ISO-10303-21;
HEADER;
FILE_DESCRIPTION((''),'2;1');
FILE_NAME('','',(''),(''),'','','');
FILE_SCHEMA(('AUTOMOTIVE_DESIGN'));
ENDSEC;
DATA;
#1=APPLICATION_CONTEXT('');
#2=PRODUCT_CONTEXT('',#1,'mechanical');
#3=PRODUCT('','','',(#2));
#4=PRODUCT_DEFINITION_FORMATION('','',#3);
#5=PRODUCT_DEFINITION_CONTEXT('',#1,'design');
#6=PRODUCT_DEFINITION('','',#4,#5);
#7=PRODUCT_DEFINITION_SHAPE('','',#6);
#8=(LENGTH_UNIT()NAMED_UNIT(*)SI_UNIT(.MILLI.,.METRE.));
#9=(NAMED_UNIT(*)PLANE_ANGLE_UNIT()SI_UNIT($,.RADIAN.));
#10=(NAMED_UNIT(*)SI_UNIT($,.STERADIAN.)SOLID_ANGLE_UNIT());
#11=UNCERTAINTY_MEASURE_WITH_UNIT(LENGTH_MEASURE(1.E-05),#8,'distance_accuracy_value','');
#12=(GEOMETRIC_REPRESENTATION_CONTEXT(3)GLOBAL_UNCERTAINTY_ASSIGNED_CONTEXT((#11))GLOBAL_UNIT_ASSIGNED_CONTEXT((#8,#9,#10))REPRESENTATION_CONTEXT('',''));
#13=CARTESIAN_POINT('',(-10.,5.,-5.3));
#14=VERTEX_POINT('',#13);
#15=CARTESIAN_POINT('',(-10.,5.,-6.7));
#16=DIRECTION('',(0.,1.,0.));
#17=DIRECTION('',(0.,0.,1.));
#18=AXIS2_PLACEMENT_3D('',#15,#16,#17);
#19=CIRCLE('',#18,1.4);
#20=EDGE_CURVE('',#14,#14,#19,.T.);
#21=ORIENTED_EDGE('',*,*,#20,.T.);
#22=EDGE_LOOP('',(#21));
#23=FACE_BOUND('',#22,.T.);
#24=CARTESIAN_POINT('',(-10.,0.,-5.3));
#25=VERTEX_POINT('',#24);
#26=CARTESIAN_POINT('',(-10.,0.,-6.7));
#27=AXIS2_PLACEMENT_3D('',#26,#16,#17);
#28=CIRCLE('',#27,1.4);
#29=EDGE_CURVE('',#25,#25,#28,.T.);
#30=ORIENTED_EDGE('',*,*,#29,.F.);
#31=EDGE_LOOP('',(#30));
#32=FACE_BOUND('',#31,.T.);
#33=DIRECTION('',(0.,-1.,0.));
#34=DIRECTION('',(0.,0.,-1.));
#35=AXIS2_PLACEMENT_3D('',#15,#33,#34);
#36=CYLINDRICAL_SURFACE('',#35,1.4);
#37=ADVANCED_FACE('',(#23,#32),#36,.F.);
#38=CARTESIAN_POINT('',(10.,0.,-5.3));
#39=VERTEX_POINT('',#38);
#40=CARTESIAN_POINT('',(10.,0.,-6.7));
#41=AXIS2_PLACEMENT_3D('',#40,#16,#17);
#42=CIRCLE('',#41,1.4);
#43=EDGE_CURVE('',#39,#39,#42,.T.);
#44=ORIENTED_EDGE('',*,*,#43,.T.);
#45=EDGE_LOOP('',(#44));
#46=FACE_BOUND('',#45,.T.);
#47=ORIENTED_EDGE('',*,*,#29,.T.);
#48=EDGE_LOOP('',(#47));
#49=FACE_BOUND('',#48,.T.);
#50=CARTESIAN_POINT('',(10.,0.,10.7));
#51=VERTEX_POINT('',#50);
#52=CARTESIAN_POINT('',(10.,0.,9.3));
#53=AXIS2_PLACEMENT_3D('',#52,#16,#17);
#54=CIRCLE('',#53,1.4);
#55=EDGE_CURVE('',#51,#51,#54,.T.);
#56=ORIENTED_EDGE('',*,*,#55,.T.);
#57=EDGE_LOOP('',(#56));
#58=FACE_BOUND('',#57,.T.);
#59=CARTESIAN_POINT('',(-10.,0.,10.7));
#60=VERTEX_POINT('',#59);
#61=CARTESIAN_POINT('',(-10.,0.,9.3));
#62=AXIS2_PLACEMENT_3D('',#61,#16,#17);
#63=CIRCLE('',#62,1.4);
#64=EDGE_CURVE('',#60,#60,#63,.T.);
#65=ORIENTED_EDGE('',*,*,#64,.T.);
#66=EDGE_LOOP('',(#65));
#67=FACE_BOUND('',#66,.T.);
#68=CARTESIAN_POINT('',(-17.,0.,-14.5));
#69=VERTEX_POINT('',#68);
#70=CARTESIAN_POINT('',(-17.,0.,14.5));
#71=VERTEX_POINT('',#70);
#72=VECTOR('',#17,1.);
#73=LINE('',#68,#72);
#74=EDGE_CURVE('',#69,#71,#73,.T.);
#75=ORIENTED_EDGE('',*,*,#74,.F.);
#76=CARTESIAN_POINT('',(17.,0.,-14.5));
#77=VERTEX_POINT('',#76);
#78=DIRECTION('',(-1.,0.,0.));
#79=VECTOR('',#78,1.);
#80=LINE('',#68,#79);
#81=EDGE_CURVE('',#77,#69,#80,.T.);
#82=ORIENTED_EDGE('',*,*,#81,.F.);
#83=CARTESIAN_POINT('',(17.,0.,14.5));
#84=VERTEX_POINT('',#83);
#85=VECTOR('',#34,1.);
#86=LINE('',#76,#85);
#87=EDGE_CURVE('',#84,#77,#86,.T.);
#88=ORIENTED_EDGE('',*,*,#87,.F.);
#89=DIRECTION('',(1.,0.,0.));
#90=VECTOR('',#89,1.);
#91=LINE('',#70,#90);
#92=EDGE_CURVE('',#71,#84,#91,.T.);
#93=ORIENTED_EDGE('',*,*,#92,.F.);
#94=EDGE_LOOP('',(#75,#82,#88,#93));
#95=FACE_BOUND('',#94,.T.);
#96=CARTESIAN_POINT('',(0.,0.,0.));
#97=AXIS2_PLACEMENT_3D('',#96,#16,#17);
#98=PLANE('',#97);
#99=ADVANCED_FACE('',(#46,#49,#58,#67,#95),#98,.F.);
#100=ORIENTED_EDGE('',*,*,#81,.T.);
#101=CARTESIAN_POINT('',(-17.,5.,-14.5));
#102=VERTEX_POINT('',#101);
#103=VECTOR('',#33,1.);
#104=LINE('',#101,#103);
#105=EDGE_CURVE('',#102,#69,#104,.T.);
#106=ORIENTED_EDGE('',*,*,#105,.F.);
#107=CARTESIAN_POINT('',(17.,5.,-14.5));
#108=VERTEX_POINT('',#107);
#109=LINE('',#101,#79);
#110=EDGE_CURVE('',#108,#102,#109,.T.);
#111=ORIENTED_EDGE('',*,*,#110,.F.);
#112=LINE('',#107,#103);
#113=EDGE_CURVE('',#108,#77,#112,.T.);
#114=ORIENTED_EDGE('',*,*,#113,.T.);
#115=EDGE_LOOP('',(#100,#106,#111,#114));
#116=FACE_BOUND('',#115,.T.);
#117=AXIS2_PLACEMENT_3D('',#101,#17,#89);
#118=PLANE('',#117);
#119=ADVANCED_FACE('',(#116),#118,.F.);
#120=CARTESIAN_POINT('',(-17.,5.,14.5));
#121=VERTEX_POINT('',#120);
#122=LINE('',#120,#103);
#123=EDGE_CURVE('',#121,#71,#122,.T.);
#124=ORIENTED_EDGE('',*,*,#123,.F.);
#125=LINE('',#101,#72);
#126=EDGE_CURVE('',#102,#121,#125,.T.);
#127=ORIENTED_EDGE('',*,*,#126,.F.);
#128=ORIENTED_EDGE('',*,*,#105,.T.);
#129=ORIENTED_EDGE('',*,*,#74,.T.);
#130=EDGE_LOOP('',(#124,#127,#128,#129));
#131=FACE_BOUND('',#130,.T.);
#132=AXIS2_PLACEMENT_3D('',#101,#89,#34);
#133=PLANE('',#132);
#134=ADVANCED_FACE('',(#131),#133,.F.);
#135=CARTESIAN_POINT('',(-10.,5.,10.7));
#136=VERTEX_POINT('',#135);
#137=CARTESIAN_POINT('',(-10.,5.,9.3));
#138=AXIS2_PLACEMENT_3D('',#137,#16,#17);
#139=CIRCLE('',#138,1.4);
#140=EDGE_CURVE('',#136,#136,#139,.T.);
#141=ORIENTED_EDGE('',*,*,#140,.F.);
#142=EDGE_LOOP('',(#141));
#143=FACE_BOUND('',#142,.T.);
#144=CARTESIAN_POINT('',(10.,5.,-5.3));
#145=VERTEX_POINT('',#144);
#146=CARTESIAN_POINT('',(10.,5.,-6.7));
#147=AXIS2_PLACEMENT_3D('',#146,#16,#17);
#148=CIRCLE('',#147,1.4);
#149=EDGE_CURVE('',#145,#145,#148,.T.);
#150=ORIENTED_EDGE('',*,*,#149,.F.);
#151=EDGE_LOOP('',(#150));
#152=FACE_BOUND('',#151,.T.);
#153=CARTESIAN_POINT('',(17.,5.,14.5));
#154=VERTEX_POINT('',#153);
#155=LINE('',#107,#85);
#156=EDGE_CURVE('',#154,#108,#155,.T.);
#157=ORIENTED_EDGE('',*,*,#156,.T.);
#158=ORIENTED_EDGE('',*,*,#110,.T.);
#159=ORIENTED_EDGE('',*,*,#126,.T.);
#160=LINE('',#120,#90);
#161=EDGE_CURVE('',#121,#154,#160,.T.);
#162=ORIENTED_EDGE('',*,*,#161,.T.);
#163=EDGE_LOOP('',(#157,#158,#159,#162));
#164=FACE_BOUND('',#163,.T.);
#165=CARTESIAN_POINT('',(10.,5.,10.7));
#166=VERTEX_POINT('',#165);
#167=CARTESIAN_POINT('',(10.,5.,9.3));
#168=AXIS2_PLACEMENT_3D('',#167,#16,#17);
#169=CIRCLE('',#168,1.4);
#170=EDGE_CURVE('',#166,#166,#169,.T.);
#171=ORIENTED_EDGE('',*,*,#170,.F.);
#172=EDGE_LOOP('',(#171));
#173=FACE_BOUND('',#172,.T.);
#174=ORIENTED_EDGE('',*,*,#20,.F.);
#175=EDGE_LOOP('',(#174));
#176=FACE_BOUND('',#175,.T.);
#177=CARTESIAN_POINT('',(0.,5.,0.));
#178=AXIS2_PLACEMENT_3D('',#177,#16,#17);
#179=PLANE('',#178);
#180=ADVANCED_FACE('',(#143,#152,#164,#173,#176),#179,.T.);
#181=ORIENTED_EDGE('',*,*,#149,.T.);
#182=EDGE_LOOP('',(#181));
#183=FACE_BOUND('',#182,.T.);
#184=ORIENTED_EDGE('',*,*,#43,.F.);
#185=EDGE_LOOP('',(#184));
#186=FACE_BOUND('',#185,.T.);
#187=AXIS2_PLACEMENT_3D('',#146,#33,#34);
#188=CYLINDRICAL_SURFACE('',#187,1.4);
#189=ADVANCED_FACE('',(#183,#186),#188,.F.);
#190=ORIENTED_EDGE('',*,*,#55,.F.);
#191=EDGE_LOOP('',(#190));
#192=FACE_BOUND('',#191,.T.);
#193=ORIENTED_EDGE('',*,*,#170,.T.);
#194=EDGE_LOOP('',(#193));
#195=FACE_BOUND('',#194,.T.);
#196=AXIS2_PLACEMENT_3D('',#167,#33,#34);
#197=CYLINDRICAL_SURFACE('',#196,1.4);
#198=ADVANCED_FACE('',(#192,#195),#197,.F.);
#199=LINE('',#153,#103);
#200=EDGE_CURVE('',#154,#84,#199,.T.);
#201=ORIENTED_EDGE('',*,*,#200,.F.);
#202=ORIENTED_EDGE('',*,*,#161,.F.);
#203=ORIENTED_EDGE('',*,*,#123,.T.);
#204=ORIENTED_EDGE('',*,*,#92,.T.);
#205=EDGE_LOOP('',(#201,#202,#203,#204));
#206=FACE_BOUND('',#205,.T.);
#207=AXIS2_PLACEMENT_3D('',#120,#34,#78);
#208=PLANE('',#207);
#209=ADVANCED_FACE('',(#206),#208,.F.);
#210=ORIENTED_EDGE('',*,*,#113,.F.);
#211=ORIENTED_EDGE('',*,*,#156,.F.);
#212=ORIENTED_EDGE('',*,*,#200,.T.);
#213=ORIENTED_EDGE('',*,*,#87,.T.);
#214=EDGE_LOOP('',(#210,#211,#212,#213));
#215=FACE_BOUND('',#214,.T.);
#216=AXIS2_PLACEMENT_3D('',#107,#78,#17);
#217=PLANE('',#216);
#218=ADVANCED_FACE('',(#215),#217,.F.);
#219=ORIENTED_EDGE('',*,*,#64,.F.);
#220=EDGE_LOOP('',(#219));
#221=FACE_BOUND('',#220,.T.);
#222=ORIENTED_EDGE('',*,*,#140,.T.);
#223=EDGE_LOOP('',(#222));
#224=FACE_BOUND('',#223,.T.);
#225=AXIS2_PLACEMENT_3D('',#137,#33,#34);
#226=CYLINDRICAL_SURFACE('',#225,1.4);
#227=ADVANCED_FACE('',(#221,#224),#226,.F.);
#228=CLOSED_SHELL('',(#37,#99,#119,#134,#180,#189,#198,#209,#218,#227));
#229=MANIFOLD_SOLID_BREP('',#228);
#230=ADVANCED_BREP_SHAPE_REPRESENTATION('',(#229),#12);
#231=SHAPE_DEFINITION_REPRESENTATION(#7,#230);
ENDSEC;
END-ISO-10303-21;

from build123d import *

# Parameters (mm, degrees)
SKETCH1_W           = 34
SKETCH1_H           = 29
SKETCH1_R           = 1.4
BOSS_EXTRUDE1_DEPTH = 5


with BuildPart() as part:
    # Sketch1 → Boss-Extrude1 (new body)
    with BuildSketch(Plane(origin=(0, 0, 0), x_dir=(1, 0, 0), z_dir=(0, 1, 0))):
        Rectangle(SKETCH1_W, SKETCH1_H)
        with Locations(Location((-10, -9.3, 0), (0, 0, 270))):
            Circle(SKETCH1_R, mode=Mode.SUBTRACT)
        with Locations(Location((10, -9.3, 0), (0, 0, 270))):
            Circle(SKETCH1_R, mode=Mode.SUBTRACT)
        with Locations(Location((10, 6.7, 0), (0, 0, 270))):
            Circle(SKETCH1_R, mode=Mode.SUBTRACT)
        with Locations(Location((-10, 6.7, 0), (0, 0, 270))):
            Circle(SKETCH1_R, mode=Mode.SUBTRACT)
    extrude(amount=BOSS_EXTRUDE1_DEPTH)


solid = part.part
